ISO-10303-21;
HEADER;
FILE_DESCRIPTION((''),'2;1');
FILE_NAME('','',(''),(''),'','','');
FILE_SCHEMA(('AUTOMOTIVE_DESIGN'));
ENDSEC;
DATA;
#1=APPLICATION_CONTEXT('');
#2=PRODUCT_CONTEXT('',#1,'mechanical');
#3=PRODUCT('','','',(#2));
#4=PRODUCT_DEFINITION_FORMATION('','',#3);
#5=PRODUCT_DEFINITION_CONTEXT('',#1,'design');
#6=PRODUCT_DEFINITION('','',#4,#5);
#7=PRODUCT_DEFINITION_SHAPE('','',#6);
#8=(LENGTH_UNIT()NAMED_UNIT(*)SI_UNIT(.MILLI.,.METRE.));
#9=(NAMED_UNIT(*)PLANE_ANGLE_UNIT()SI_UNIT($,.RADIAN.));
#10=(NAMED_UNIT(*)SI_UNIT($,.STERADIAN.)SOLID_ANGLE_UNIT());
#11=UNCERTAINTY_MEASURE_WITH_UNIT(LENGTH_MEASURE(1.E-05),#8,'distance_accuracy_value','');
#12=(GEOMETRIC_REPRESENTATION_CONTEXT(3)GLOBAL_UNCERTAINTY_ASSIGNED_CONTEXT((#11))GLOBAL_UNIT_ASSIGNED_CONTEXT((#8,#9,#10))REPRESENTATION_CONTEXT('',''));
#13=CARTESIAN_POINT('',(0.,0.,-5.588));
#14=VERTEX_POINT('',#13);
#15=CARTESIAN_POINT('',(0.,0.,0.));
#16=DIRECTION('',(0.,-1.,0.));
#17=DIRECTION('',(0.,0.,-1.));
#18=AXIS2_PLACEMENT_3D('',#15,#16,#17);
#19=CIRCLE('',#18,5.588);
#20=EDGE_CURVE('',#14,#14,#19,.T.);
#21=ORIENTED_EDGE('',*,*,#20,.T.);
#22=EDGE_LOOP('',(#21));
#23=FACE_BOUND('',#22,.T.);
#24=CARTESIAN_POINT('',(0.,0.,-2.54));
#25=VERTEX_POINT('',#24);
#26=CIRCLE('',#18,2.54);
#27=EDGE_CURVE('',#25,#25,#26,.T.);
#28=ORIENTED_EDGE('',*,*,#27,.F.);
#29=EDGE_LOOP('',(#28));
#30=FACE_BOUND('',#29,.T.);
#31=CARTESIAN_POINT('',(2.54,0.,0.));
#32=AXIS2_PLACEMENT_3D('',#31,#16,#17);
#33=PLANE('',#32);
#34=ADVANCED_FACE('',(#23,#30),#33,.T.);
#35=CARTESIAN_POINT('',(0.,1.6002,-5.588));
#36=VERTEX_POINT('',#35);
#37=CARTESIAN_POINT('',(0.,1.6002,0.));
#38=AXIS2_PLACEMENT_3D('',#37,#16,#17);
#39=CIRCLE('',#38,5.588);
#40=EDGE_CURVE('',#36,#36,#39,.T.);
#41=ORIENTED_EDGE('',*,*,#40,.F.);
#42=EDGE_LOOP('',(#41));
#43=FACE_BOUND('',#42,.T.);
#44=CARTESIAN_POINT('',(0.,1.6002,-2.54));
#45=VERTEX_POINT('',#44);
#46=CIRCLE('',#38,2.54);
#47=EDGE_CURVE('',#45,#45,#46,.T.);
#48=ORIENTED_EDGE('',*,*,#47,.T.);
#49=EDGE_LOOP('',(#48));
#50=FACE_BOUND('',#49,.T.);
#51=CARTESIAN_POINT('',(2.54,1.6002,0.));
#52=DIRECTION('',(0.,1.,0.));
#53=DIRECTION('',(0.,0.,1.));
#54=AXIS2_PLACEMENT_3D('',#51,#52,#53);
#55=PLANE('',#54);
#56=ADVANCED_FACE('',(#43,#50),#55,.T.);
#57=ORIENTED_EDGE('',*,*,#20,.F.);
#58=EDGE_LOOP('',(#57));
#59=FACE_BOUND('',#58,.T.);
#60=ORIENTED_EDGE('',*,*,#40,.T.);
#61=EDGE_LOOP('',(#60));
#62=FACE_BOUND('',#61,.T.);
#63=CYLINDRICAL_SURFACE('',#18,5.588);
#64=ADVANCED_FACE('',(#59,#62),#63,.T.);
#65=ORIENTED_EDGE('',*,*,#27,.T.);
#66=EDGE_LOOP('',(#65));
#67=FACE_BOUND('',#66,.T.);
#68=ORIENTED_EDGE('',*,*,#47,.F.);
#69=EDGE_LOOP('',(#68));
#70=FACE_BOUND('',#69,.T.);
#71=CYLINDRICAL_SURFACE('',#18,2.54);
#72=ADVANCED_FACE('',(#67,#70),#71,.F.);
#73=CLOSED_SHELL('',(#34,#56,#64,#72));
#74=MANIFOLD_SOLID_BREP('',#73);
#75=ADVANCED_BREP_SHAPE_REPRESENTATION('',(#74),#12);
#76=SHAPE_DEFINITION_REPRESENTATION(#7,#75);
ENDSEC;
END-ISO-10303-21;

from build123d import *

# Parameters (mm, degrees)
SKETCH1_W = 3.048
SKETCH1_H = 1.6002


with BuildPart() as part:
    # Sketch1 → Revolve1 (revolve)
    with BuildSketch(Plane.XY, mode=Mode.PRIVATE) as revolve1_sk:
        with Locations((4.064, 0.8001)):
            Rectangle(SKETCH1_W, SKETCH1_H)
    revolve(revolve1_sk.sketch.rotate(Axis((0, 0, 0), (0, 1, 0)), 90), axis=Axis((0, 0, 0), (0, 1, 0)))


solid = part.part
